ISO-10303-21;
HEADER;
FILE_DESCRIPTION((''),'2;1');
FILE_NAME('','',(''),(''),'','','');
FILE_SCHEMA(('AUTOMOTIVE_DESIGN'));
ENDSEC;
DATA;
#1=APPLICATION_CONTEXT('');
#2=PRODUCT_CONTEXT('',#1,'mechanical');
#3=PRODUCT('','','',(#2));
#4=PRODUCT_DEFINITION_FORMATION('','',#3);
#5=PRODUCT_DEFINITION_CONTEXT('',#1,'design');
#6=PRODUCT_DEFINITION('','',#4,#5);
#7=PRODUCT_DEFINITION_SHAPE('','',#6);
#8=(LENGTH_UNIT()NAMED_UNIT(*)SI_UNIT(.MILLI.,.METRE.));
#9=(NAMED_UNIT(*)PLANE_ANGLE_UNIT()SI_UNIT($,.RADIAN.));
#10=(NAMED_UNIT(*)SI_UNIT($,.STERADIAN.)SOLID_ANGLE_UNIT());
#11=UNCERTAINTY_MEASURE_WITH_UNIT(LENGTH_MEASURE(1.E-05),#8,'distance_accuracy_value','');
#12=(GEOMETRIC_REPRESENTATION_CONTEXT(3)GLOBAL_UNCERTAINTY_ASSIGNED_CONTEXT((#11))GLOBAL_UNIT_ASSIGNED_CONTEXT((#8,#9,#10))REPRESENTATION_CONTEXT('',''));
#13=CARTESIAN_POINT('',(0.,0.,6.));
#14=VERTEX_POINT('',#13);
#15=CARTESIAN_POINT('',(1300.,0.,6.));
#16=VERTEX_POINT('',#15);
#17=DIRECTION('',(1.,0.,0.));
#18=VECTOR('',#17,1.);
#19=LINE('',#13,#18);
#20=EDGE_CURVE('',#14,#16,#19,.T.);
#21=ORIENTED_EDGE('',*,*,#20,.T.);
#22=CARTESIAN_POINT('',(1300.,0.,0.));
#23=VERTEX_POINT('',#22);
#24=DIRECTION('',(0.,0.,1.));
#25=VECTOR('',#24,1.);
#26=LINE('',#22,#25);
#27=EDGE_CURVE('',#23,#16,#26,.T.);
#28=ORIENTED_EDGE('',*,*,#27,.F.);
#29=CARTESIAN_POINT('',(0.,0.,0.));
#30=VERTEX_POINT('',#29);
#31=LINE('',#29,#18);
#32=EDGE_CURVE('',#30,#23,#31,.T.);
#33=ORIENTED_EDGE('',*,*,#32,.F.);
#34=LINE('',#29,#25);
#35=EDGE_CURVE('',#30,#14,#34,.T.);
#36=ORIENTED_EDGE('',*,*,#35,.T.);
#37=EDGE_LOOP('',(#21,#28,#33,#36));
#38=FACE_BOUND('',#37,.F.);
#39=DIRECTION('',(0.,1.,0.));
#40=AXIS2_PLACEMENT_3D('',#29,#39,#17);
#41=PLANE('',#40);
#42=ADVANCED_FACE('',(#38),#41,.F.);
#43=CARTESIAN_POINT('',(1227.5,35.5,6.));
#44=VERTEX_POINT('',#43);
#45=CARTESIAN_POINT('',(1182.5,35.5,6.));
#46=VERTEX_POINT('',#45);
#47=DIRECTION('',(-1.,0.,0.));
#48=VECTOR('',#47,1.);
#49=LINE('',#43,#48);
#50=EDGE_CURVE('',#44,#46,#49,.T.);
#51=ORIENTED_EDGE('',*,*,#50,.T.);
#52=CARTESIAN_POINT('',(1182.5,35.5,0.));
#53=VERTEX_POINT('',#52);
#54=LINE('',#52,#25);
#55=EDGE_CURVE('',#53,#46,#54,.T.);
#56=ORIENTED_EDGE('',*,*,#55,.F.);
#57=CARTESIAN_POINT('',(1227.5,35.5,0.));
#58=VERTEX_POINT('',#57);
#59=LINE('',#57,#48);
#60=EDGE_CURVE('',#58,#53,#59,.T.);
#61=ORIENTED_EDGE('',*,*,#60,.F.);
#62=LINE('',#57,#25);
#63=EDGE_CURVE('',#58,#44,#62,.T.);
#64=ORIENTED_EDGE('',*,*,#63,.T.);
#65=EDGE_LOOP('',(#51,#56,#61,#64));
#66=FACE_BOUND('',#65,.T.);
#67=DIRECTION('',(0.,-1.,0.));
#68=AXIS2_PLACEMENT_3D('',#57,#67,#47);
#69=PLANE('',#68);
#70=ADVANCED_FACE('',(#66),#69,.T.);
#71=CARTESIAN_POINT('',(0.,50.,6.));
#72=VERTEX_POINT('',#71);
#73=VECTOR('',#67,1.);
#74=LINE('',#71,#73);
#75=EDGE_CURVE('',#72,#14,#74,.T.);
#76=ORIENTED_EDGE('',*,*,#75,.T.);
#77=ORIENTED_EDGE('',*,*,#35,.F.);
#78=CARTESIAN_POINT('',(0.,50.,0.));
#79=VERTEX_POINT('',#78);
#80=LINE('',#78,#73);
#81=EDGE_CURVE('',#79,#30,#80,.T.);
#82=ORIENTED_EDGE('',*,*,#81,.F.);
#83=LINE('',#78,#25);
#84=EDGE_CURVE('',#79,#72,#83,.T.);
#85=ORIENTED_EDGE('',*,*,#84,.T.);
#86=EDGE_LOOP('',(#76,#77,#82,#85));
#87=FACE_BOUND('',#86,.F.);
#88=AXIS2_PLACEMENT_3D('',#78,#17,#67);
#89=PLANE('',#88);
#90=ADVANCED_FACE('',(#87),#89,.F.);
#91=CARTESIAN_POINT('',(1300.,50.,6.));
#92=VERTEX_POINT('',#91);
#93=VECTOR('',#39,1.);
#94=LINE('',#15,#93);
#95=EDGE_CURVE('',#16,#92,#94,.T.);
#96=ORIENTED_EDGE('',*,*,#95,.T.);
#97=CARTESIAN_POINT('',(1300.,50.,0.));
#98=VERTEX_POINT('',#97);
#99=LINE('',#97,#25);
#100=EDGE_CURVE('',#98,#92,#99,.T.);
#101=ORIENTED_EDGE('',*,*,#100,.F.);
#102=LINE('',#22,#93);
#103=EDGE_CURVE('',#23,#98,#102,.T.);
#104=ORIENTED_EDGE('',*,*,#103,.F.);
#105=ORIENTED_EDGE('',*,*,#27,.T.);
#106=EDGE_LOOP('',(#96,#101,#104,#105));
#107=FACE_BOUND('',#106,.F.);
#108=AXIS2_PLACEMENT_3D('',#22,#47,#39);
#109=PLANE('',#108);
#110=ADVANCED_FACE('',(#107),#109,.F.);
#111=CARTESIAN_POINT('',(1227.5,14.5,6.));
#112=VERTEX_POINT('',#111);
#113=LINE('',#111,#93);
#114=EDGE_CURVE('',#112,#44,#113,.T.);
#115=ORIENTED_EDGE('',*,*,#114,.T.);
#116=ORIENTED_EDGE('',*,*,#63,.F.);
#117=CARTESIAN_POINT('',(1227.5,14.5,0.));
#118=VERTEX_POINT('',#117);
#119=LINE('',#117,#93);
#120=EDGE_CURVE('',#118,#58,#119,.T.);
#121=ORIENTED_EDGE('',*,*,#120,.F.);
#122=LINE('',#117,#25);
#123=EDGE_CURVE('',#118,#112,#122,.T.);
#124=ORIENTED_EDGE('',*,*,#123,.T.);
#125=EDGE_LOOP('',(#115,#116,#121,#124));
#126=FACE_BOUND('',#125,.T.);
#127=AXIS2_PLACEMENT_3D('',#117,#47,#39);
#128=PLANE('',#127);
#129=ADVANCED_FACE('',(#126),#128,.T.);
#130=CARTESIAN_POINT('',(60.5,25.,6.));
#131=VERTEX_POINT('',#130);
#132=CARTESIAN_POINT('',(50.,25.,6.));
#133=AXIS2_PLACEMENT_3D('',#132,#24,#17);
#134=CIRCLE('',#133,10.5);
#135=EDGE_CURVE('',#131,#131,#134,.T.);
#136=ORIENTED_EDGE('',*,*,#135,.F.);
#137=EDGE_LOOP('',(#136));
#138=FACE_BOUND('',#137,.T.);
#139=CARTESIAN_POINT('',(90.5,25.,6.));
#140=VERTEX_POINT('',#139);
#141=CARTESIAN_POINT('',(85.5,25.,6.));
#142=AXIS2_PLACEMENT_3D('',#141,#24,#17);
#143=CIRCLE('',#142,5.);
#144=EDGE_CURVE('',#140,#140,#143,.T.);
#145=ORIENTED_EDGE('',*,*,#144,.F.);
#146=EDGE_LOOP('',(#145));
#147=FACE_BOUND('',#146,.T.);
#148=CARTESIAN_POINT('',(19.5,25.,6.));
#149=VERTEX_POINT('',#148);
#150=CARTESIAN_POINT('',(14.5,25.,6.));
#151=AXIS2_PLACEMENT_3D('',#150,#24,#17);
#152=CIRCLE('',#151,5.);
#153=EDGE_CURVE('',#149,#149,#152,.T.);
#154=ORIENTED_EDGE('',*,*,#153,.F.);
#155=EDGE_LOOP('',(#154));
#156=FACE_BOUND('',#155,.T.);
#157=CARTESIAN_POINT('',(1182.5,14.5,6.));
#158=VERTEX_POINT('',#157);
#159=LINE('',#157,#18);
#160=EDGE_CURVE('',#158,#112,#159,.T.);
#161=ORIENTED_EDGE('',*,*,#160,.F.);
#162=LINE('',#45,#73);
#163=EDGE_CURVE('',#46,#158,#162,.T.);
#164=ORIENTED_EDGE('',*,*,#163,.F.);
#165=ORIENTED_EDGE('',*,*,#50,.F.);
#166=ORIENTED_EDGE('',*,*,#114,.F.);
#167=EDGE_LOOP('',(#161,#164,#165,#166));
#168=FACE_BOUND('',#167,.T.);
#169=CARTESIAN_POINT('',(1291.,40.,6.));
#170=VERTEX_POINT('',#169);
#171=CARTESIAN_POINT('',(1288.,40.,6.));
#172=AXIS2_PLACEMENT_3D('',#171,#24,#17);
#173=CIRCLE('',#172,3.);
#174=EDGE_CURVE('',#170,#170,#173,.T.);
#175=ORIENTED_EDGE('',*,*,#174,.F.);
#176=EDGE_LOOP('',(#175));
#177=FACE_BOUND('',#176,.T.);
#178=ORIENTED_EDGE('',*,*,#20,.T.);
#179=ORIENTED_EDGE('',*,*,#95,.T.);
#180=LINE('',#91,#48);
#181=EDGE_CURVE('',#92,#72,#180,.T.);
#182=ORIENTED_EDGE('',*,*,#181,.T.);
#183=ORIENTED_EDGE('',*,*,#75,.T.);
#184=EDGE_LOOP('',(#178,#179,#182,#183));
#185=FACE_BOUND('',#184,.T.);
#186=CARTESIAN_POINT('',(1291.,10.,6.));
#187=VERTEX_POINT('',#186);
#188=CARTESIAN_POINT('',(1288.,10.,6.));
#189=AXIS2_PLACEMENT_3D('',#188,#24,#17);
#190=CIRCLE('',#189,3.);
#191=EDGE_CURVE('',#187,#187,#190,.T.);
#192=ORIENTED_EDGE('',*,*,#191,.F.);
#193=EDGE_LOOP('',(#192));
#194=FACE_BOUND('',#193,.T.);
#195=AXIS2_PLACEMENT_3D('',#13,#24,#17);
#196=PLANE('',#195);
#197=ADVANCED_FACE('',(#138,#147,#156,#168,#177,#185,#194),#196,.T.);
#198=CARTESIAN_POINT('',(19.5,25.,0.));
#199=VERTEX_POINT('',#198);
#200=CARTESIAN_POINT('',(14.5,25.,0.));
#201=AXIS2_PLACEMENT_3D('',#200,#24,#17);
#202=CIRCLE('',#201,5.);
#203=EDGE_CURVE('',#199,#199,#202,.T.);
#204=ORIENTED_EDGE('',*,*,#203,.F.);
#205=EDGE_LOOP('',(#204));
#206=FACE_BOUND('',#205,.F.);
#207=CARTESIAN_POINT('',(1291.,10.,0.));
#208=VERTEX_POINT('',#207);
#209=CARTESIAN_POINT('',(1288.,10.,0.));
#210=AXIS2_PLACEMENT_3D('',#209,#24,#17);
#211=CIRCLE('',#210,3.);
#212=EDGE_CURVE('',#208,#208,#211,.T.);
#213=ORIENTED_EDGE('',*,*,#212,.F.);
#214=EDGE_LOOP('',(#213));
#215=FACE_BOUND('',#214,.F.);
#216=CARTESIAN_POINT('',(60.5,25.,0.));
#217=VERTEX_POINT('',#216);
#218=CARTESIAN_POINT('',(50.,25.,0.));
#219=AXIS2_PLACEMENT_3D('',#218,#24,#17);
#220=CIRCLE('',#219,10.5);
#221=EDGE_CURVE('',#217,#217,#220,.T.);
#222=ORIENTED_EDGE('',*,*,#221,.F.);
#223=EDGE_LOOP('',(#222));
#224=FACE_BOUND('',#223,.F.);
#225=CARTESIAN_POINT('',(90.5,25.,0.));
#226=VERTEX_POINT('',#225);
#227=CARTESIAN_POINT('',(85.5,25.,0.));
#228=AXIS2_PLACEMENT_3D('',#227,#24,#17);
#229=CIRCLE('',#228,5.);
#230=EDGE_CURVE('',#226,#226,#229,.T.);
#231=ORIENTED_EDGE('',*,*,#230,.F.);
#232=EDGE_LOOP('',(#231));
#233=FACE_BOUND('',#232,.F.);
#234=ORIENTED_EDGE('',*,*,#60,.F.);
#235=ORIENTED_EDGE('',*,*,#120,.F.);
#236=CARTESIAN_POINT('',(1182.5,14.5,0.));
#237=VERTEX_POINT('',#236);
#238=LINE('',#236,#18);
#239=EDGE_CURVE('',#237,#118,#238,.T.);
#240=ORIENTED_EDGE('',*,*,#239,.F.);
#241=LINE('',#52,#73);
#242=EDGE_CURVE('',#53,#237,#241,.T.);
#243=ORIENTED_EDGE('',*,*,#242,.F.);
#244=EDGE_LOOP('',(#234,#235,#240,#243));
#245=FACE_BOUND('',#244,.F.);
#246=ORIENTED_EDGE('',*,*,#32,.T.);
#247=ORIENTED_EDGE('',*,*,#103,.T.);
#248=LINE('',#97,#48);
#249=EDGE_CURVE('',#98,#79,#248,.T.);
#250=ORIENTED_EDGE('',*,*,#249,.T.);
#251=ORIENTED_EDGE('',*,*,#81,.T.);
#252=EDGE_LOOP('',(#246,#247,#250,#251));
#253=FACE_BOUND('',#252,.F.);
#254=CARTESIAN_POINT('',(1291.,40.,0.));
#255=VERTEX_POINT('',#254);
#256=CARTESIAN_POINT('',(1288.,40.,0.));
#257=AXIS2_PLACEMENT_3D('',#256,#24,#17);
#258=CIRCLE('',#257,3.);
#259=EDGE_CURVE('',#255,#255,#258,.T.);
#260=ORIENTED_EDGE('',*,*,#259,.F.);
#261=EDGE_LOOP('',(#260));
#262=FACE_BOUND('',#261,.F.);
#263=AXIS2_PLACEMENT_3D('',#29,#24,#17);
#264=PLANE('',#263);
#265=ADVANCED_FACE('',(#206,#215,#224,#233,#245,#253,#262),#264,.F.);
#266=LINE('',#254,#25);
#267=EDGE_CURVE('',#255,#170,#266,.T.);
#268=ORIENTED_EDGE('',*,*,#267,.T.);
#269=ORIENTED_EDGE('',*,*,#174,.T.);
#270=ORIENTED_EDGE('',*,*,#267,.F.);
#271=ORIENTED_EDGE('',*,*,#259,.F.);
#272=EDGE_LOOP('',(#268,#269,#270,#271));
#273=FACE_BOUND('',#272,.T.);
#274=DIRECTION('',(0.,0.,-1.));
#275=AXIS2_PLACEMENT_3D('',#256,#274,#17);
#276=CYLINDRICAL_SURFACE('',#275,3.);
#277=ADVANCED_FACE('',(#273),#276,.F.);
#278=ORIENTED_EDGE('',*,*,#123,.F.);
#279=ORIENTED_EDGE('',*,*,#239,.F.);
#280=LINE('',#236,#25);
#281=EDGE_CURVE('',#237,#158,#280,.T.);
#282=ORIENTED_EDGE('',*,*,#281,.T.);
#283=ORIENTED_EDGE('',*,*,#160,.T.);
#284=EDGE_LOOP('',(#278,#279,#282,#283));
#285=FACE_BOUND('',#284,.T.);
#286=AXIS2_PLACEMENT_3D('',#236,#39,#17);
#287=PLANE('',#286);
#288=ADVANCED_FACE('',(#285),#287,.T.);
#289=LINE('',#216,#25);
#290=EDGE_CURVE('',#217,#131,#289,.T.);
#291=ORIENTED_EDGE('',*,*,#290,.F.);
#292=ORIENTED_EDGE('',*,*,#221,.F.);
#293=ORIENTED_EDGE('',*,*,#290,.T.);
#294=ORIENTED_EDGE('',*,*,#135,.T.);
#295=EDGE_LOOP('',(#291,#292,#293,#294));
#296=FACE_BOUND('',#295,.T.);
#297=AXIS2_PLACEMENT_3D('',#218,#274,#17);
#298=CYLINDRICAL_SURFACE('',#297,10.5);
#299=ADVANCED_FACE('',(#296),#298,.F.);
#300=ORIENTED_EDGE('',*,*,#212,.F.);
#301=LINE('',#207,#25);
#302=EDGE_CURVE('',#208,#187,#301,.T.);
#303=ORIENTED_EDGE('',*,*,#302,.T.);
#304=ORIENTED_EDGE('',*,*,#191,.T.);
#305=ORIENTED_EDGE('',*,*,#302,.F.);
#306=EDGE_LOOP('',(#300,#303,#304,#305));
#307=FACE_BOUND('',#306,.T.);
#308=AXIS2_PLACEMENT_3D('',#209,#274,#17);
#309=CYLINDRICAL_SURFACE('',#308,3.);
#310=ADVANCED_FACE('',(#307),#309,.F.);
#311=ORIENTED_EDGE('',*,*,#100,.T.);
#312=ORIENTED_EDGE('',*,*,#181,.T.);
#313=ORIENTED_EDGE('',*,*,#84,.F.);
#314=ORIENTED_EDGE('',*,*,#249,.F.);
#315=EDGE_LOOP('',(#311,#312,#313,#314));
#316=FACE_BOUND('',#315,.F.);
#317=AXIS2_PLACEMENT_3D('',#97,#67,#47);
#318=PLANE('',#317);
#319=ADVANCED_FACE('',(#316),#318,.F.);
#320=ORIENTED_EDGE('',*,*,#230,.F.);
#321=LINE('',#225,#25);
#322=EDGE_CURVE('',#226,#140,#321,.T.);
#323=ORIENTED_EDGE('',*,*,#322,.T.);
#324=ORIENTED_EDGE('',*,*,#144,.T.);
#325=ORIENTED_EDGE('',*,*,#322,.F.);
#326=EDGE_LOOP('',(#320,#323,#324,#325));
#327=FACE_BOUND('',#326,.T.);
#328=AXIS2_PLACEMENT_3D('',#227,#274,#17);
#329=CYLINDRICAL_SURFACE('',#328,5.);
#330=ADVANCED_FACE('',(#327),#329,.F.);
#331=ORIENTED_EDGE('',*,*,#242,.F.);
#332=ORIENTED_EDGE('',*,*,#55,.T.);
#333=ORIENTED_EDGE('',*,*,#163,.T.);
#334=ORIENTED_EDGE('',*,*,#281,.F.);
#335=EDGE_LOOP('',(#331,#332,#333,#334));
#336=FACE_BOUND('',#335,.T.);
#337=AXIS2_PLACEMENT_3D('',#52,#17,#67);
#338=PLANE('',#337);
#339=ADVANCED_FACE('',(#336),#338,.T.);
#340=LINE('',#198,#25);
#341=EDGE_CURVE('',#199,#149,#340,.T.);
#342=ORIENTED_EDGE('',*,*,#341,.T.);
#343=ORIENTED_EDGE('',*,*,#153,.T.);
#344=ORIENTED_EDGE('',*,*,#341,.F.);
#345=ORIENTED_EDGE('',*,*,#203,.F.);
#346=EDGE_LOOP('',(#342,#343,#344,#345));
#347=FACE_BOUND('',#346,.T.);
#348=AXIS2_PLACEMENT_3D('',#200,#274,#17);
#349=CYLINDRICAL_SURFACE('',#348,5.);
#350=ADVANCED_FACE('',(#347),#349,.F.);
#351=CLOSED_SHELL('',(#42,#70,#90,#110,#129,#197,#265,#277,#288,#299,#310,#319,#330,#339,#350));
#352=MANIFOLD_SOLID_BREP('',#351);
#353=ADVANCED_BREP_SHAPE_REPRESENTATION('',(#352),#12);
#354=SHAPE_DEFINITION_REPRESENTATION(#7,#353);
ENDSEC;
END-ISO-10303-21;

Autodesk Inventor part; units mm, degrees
ref_plane "YZ Plane" through (0, 0, 0) normal (1, 0, 0) x (0, 1, 0)
ref_plane "XZ Plane" through (0, 0, 0) normal (0, 1, 0) x (-1, 0, 0)
ref_plane "XY Plane" through (0, 0, 0) normal (0, 0, 1) x (1, 0, 0)
sketch "Sketch1" plane through (0, 0, 0) normal (0, 0, 1) x (1, 0, 0)
  line L0 (0, 0) -> (1300, 0)
  line L1 (1300, 0) -> (1300, 50)
  line L2 (1300, 50) -> (0, 50)
  line L3 (0, 50) -> (0, 0)
  circle A0 centre (50, 25) radius 10.5
  circle A1 centre (1288, 40) radius 3
  circle A2 centre (1288, 10) radius 3
  line L4 (1182.5, 14.5) -> (1227.5, 14.5)
  line L5 (1227.5, 14.5) -> (1227.5, 35.5)
  line L6 (1227.5, 35.5) -> (1182.5, 35.5)
  line L7 (1182.5, 35.5) -> (1182.5, 14.5)
  circle A3 centre (14.5, 25) radius 5
  circle A4 centre (85.5, 25) radius 5
  dimension "d0" = 1300
  dimension "d1" = 50
  dimension "d2" = 21
  dimension "d3" = 6
  dimension "d4" = 6
  dimension "d5" = 45
  dimension "d6" = 21
  dimension "d7" = 14.5
  dimension "d8" = 72.5
  dimension "d13" = 10
  dimension "d14" = 10
extrude "Extrusion2" add sketch "Sketch1" along normal blind 6
equation "\"d7\" = -0.5 * d6 + 0.5 * d1"
properties part number "convyerwall2"
